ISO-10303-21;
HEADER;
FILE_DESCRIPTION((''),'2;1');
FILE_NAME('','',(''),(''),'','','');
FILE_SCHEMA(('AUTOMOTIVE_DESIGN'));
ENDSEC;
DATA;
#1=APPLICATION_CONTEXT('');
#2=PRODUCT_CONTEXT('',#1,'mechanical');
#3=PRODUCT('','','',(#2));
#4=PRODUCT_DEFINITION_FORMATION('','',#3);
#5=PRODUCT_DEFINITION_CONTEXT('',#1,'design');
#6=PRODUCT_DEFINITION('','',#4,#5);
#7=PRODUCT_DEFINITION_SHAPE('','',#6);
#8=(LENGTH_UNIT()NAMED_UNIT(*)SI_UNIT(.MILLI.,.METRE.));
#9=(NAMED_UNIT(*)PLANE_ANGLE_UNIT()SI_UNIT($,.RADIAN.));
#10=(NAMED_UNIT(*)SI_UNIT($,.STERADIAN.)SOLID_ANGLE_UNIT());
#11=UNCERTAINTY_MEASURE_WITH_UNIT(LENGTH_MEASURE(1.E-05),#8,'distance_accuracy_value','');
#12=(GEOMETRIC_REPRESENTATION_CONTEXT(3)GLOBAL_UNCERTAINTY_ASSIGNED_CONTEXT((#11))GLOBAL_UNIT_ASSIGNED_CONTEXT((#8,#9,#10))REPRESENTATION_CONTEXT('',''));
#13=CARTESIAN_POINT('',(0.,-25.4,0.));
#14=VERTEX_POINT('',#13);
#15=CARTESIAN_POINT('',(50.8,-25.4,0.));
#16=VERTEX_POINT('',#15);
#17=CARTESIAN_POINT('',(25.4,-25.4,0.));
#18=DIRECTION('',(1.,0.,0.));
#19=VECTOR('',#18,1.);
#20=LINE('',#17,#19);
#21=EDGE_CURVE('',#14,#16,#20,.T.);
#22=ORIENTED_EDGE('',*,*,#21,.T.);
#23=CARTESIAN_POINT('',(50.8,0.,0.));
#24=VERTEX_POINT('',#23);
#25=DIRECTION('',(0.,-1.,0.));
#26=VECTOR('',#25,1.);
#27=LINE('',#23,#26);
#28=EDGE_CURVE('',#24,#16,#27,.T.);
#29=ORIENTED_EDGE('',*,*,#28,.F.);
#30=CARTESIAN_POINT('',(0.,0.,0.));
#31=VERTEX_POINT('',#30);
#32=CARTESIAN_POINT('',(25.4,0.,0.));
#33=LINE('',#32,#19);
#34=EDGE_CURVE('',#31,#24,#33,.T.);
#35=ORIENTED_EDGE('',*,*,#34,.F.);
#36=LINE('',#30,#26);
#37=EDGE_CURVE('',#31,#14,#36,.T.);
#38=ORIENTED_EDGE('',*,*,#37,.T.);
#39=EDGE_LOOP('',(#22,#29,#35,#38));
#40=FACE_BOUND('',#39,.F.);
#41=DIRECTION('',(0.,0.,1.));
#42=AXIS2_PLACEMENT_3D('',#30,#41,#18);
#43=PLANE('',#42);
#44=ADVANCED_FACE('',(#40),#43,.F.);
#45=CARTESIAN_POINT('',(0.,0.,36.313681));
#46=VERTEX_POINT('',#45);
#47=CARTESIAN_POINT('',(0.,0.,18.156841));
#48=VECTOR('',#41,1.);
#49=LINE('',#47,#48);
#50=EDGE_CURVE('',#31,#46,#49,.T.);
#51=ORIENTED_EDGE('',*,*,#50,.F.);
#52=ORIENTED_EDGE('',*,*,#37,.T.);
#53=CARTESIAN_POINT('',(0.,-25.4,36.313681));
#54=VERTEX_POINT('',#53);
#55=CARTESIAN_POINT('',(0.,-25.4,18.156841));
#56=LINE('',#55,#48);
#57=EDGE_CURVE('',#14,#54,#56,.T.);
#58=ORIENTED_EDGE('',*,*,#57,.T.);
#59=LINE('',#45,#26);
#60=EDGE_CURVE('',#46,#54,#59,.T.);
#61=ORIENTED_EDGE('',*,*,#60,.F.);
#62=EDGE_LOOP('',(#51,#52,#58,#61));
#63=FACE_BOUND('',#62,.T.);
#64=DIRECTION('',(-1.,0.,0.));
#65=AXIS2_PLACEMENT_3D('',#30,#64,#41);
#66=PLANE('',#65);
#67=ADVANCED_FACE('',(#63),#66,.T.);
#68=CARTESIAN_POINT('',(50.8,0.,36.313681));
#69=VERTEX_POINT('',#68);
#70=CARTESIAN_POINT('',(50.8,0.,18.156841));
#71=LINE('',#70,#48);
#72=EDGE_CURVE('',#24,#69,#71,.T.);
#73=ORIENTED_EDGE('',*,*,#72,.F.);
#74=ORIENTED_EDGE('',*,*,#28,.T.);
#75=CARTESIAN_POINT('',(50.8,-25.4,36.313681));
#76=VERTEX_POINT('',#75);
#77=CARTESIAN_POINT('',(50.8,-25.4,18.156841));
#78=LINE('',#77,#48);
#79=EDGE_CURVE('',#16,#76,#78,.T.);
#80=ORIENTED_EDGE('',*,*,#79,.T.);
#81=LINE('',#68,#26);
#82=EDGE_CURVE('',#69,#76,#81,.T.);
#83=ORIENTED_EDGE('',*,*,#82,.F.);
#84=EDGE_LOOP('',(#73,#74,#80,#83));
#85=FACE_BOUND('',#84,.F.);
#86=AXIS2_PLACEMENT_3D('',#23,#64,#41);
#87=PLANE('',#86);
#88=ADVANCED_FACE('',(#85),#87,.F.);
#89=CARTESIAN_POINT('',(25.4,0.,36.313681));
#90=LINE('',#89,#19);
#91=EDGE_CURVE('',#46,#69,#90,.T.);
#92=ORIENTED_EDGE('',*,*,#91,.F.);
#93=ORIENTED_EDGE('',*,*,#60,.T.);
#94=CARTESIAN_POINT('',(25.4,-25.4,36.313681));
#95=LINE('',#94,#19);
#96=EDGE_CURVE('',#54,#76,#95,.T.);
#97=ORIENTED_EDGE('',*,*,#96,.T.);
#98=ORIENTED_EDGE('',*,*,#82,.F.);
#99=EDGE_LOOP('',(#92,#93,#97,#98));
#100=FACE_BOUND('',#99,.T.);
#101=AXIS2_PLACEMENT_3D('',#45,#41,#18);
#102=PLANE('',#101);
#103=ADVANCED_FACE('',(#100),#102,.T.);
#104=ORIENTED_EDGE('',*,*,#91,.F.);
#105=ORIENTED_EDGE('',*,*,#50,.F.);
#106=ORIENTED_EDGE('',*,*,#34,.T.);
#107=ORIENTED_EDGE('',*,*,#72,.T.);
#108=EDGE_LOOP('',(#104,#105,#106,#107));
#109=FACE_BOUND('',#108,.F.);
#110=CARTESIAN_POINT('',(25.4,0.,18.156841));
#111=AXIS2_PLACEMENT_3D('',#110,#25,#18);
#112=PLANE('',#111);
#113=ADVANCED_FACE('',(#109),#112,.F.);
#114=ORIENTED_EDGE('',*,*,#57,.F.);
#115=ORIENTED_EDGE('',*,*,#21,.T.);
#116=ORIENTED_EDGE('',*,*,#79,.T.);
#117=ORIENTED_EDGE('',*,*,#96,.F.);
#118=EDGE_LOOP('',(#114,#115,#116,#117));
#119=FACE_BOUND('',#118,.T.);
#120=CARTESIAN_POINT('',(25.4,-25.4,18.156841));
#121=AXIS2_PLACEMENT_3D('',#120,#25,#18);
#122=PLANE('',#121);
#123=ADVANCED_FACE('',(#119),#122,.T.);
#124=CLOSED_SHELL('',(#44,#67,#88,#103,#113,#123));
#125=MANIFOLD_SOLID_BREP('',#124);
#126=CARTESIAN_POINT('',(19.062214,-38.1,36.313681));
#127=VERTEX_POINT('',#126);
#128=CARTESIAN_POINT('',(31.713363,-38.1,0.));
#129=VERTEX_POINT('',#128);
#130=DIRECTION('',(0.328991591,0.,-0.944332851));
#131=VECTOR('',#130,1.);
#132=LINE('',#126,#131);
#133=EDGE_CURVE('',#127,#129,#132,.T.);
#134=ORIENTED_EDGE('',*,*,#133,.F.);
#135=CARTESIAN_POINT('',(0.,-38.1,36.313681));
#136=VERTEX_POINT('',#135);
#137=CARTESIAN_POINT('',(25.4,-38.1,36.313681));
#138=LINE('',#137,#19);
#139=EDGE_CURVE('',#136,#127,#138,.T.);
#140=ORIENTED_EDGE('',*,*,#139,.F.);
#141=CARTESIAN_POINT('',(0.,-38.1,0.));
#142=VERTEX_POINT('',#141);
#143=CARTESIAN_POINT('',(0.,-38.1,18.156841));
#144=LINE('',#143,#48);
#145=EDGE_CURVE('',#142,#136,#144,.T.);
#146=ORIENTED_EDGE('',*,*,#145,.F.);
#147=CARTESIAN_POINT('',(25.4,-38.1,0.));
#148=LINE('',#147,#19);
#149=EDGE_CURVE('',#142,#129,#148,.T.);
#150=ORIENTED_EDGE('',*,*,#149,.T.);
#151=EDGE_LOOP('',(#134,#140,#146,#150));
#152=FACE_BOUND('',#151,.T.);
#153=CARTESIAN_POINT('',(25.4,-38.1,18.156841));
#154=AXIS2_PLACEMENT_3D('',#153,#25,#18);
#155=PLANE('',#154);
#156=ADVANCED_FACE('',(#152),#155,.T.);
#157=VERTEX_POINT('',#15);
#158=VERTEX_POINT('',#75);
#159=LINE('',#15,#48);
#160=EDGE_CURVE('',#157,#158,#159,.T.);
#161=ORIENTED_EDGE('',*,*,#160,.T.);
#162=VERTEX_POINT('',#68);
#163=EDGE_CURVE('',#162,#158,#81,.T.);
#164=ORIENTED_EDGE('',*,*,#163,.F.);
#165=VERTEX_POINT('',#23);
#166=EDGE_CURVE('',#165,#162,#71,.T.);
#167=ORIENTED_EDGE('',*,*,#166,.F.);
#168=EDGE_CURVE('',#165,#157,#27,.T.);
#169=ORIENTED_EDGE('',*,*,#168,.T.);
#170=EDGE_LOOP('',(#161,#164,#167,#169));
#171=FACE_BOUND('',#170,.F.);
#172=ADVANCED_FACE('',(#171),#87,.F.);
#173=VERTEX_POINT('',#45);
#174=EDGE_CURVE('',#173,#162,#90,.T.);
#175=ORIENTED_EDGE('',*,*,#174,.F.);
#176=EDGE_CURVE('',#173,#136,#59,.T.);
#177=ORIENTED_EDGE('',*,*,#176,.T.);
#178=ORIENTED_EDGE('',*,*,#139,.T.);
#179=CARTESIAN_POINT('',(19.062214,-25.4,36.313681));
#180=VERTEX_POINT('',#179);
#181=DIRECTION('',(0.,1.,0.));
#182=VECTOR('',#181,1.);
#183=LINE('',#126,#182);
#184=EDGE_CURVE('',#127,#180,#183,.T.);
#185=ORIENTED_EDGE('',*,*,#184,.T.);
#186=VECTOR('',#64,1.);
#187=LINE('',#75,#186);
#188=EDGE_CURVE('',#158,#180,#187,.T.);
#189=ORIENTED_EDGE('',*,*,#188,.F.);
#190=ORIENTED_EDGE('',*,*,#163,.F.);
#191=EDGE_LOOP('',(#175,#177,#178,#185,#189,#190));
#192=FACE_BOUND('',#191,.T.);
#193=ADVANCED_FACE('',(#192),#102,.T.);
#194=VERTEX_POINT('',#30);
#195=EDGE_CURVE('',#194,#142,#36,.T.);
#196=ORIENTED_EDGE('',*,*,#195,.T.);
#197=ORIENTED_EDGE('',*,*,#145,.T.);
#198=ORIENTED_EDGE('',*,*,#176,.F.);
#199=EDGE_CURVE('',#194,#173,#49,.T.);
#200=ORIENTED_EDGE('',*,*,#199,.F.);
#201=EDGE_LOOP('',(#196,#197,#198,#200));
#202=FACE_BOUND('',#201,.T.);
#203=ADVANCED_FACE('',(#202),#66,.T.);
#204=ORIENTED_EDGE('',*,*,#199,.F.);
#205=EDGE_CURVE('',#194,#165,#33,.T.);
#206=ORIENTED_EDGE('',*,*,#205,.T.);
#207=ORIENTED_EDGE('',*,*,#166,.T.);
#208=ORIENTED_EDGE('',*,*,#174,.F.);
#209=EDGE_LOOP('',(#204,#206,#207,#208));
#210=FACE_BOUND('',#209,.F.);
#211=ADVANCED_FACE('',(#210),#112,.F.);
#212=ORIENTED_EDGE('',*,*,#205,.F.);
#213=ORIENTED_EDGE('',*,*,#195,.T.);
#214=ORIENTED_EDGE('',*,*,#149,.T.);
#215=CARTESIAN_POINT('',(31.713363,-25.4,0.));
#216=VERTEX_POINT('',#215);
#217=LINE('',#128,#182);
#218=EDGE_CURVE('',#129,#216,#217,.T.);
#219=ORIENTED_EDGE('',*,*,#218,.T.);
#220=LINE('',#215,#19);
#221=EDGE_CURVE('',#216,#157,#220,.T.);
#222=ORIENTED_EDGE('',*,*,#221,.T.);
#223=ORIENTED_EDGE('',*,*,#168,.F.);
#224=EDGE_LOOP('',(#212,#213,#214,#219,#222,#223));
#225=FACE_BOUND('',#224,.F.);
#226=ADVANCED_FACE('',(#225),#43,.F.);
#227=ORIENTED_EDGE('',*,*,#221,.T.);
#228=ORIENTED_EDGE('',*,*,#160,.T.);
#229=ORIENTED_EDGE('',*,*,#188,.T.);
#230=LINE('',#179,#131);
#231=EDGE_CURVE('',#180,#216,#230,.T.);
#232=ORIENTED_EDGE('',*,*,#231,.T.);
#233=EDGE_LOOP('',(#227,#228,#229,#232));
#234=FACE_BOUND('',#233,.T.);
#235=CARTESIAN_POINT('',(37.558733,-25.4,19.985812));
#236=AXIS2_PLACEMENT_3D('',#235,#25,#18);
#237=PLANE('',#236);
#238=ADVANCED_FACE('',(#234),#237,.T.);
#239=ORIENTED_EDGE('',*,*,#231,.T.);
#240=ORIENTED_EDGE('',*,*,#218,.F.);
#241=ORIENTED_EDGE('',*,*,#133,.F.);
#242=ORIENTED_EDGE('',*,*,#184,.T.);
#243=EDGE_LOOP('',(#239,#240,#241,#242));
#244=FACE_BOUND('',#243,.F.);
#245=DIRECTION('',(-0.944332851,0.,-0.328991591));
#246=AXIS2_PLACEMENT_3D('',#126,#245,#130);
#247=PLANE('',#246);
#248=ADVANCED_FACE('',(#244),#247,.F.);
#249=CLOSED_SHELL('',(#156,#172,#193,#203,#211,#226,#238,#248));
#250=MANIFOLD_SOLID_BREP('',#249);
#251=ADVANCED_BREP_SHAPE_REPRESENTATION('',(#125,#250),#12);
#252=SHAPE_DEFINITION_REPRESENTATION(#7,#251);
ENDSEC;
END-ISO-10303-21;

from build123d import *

# Parameters (mm, degrees)
F0_W     = 50.8
F0_H     = 36.3136812884
F1_DEPTH = 25.4
F2_DEPTH = 38.1
F4_DEPTH = 12.7


with BuildPart() as f1:
    # F0 (on Front) → F1 (new body)
    with BuildSketch(Plane.XZ):
        with Locations((25.4, 18.1568406442)):
            Rectangle(F0_W, F0_H)
    extrude(amount=F1_DEPTH)


with BuildPart() as f2:
    # F0 (on Front) → F2 (new body)
    with BuildSketch(Plane.XZ):
        with Locations((25.4, 18.1568406442)):
            Rectangle(F0_W, F0_H)
    extrude(amount=F2_DEPTH)

    # F3 (on face) → F4 (cut)
    with BuildSketch(Plane.XZ.offset(38.1)):
        Polygon((50.8, 36.3136812884), (19.0622135997, 36.3136812884), (31.7133627832, 0), (50.8, 0), align=None)
    extrude(amount=-F4_DEPTH, mode=Mode.SUBTRACT)


solid = Compound([f1.part, f2.part])
